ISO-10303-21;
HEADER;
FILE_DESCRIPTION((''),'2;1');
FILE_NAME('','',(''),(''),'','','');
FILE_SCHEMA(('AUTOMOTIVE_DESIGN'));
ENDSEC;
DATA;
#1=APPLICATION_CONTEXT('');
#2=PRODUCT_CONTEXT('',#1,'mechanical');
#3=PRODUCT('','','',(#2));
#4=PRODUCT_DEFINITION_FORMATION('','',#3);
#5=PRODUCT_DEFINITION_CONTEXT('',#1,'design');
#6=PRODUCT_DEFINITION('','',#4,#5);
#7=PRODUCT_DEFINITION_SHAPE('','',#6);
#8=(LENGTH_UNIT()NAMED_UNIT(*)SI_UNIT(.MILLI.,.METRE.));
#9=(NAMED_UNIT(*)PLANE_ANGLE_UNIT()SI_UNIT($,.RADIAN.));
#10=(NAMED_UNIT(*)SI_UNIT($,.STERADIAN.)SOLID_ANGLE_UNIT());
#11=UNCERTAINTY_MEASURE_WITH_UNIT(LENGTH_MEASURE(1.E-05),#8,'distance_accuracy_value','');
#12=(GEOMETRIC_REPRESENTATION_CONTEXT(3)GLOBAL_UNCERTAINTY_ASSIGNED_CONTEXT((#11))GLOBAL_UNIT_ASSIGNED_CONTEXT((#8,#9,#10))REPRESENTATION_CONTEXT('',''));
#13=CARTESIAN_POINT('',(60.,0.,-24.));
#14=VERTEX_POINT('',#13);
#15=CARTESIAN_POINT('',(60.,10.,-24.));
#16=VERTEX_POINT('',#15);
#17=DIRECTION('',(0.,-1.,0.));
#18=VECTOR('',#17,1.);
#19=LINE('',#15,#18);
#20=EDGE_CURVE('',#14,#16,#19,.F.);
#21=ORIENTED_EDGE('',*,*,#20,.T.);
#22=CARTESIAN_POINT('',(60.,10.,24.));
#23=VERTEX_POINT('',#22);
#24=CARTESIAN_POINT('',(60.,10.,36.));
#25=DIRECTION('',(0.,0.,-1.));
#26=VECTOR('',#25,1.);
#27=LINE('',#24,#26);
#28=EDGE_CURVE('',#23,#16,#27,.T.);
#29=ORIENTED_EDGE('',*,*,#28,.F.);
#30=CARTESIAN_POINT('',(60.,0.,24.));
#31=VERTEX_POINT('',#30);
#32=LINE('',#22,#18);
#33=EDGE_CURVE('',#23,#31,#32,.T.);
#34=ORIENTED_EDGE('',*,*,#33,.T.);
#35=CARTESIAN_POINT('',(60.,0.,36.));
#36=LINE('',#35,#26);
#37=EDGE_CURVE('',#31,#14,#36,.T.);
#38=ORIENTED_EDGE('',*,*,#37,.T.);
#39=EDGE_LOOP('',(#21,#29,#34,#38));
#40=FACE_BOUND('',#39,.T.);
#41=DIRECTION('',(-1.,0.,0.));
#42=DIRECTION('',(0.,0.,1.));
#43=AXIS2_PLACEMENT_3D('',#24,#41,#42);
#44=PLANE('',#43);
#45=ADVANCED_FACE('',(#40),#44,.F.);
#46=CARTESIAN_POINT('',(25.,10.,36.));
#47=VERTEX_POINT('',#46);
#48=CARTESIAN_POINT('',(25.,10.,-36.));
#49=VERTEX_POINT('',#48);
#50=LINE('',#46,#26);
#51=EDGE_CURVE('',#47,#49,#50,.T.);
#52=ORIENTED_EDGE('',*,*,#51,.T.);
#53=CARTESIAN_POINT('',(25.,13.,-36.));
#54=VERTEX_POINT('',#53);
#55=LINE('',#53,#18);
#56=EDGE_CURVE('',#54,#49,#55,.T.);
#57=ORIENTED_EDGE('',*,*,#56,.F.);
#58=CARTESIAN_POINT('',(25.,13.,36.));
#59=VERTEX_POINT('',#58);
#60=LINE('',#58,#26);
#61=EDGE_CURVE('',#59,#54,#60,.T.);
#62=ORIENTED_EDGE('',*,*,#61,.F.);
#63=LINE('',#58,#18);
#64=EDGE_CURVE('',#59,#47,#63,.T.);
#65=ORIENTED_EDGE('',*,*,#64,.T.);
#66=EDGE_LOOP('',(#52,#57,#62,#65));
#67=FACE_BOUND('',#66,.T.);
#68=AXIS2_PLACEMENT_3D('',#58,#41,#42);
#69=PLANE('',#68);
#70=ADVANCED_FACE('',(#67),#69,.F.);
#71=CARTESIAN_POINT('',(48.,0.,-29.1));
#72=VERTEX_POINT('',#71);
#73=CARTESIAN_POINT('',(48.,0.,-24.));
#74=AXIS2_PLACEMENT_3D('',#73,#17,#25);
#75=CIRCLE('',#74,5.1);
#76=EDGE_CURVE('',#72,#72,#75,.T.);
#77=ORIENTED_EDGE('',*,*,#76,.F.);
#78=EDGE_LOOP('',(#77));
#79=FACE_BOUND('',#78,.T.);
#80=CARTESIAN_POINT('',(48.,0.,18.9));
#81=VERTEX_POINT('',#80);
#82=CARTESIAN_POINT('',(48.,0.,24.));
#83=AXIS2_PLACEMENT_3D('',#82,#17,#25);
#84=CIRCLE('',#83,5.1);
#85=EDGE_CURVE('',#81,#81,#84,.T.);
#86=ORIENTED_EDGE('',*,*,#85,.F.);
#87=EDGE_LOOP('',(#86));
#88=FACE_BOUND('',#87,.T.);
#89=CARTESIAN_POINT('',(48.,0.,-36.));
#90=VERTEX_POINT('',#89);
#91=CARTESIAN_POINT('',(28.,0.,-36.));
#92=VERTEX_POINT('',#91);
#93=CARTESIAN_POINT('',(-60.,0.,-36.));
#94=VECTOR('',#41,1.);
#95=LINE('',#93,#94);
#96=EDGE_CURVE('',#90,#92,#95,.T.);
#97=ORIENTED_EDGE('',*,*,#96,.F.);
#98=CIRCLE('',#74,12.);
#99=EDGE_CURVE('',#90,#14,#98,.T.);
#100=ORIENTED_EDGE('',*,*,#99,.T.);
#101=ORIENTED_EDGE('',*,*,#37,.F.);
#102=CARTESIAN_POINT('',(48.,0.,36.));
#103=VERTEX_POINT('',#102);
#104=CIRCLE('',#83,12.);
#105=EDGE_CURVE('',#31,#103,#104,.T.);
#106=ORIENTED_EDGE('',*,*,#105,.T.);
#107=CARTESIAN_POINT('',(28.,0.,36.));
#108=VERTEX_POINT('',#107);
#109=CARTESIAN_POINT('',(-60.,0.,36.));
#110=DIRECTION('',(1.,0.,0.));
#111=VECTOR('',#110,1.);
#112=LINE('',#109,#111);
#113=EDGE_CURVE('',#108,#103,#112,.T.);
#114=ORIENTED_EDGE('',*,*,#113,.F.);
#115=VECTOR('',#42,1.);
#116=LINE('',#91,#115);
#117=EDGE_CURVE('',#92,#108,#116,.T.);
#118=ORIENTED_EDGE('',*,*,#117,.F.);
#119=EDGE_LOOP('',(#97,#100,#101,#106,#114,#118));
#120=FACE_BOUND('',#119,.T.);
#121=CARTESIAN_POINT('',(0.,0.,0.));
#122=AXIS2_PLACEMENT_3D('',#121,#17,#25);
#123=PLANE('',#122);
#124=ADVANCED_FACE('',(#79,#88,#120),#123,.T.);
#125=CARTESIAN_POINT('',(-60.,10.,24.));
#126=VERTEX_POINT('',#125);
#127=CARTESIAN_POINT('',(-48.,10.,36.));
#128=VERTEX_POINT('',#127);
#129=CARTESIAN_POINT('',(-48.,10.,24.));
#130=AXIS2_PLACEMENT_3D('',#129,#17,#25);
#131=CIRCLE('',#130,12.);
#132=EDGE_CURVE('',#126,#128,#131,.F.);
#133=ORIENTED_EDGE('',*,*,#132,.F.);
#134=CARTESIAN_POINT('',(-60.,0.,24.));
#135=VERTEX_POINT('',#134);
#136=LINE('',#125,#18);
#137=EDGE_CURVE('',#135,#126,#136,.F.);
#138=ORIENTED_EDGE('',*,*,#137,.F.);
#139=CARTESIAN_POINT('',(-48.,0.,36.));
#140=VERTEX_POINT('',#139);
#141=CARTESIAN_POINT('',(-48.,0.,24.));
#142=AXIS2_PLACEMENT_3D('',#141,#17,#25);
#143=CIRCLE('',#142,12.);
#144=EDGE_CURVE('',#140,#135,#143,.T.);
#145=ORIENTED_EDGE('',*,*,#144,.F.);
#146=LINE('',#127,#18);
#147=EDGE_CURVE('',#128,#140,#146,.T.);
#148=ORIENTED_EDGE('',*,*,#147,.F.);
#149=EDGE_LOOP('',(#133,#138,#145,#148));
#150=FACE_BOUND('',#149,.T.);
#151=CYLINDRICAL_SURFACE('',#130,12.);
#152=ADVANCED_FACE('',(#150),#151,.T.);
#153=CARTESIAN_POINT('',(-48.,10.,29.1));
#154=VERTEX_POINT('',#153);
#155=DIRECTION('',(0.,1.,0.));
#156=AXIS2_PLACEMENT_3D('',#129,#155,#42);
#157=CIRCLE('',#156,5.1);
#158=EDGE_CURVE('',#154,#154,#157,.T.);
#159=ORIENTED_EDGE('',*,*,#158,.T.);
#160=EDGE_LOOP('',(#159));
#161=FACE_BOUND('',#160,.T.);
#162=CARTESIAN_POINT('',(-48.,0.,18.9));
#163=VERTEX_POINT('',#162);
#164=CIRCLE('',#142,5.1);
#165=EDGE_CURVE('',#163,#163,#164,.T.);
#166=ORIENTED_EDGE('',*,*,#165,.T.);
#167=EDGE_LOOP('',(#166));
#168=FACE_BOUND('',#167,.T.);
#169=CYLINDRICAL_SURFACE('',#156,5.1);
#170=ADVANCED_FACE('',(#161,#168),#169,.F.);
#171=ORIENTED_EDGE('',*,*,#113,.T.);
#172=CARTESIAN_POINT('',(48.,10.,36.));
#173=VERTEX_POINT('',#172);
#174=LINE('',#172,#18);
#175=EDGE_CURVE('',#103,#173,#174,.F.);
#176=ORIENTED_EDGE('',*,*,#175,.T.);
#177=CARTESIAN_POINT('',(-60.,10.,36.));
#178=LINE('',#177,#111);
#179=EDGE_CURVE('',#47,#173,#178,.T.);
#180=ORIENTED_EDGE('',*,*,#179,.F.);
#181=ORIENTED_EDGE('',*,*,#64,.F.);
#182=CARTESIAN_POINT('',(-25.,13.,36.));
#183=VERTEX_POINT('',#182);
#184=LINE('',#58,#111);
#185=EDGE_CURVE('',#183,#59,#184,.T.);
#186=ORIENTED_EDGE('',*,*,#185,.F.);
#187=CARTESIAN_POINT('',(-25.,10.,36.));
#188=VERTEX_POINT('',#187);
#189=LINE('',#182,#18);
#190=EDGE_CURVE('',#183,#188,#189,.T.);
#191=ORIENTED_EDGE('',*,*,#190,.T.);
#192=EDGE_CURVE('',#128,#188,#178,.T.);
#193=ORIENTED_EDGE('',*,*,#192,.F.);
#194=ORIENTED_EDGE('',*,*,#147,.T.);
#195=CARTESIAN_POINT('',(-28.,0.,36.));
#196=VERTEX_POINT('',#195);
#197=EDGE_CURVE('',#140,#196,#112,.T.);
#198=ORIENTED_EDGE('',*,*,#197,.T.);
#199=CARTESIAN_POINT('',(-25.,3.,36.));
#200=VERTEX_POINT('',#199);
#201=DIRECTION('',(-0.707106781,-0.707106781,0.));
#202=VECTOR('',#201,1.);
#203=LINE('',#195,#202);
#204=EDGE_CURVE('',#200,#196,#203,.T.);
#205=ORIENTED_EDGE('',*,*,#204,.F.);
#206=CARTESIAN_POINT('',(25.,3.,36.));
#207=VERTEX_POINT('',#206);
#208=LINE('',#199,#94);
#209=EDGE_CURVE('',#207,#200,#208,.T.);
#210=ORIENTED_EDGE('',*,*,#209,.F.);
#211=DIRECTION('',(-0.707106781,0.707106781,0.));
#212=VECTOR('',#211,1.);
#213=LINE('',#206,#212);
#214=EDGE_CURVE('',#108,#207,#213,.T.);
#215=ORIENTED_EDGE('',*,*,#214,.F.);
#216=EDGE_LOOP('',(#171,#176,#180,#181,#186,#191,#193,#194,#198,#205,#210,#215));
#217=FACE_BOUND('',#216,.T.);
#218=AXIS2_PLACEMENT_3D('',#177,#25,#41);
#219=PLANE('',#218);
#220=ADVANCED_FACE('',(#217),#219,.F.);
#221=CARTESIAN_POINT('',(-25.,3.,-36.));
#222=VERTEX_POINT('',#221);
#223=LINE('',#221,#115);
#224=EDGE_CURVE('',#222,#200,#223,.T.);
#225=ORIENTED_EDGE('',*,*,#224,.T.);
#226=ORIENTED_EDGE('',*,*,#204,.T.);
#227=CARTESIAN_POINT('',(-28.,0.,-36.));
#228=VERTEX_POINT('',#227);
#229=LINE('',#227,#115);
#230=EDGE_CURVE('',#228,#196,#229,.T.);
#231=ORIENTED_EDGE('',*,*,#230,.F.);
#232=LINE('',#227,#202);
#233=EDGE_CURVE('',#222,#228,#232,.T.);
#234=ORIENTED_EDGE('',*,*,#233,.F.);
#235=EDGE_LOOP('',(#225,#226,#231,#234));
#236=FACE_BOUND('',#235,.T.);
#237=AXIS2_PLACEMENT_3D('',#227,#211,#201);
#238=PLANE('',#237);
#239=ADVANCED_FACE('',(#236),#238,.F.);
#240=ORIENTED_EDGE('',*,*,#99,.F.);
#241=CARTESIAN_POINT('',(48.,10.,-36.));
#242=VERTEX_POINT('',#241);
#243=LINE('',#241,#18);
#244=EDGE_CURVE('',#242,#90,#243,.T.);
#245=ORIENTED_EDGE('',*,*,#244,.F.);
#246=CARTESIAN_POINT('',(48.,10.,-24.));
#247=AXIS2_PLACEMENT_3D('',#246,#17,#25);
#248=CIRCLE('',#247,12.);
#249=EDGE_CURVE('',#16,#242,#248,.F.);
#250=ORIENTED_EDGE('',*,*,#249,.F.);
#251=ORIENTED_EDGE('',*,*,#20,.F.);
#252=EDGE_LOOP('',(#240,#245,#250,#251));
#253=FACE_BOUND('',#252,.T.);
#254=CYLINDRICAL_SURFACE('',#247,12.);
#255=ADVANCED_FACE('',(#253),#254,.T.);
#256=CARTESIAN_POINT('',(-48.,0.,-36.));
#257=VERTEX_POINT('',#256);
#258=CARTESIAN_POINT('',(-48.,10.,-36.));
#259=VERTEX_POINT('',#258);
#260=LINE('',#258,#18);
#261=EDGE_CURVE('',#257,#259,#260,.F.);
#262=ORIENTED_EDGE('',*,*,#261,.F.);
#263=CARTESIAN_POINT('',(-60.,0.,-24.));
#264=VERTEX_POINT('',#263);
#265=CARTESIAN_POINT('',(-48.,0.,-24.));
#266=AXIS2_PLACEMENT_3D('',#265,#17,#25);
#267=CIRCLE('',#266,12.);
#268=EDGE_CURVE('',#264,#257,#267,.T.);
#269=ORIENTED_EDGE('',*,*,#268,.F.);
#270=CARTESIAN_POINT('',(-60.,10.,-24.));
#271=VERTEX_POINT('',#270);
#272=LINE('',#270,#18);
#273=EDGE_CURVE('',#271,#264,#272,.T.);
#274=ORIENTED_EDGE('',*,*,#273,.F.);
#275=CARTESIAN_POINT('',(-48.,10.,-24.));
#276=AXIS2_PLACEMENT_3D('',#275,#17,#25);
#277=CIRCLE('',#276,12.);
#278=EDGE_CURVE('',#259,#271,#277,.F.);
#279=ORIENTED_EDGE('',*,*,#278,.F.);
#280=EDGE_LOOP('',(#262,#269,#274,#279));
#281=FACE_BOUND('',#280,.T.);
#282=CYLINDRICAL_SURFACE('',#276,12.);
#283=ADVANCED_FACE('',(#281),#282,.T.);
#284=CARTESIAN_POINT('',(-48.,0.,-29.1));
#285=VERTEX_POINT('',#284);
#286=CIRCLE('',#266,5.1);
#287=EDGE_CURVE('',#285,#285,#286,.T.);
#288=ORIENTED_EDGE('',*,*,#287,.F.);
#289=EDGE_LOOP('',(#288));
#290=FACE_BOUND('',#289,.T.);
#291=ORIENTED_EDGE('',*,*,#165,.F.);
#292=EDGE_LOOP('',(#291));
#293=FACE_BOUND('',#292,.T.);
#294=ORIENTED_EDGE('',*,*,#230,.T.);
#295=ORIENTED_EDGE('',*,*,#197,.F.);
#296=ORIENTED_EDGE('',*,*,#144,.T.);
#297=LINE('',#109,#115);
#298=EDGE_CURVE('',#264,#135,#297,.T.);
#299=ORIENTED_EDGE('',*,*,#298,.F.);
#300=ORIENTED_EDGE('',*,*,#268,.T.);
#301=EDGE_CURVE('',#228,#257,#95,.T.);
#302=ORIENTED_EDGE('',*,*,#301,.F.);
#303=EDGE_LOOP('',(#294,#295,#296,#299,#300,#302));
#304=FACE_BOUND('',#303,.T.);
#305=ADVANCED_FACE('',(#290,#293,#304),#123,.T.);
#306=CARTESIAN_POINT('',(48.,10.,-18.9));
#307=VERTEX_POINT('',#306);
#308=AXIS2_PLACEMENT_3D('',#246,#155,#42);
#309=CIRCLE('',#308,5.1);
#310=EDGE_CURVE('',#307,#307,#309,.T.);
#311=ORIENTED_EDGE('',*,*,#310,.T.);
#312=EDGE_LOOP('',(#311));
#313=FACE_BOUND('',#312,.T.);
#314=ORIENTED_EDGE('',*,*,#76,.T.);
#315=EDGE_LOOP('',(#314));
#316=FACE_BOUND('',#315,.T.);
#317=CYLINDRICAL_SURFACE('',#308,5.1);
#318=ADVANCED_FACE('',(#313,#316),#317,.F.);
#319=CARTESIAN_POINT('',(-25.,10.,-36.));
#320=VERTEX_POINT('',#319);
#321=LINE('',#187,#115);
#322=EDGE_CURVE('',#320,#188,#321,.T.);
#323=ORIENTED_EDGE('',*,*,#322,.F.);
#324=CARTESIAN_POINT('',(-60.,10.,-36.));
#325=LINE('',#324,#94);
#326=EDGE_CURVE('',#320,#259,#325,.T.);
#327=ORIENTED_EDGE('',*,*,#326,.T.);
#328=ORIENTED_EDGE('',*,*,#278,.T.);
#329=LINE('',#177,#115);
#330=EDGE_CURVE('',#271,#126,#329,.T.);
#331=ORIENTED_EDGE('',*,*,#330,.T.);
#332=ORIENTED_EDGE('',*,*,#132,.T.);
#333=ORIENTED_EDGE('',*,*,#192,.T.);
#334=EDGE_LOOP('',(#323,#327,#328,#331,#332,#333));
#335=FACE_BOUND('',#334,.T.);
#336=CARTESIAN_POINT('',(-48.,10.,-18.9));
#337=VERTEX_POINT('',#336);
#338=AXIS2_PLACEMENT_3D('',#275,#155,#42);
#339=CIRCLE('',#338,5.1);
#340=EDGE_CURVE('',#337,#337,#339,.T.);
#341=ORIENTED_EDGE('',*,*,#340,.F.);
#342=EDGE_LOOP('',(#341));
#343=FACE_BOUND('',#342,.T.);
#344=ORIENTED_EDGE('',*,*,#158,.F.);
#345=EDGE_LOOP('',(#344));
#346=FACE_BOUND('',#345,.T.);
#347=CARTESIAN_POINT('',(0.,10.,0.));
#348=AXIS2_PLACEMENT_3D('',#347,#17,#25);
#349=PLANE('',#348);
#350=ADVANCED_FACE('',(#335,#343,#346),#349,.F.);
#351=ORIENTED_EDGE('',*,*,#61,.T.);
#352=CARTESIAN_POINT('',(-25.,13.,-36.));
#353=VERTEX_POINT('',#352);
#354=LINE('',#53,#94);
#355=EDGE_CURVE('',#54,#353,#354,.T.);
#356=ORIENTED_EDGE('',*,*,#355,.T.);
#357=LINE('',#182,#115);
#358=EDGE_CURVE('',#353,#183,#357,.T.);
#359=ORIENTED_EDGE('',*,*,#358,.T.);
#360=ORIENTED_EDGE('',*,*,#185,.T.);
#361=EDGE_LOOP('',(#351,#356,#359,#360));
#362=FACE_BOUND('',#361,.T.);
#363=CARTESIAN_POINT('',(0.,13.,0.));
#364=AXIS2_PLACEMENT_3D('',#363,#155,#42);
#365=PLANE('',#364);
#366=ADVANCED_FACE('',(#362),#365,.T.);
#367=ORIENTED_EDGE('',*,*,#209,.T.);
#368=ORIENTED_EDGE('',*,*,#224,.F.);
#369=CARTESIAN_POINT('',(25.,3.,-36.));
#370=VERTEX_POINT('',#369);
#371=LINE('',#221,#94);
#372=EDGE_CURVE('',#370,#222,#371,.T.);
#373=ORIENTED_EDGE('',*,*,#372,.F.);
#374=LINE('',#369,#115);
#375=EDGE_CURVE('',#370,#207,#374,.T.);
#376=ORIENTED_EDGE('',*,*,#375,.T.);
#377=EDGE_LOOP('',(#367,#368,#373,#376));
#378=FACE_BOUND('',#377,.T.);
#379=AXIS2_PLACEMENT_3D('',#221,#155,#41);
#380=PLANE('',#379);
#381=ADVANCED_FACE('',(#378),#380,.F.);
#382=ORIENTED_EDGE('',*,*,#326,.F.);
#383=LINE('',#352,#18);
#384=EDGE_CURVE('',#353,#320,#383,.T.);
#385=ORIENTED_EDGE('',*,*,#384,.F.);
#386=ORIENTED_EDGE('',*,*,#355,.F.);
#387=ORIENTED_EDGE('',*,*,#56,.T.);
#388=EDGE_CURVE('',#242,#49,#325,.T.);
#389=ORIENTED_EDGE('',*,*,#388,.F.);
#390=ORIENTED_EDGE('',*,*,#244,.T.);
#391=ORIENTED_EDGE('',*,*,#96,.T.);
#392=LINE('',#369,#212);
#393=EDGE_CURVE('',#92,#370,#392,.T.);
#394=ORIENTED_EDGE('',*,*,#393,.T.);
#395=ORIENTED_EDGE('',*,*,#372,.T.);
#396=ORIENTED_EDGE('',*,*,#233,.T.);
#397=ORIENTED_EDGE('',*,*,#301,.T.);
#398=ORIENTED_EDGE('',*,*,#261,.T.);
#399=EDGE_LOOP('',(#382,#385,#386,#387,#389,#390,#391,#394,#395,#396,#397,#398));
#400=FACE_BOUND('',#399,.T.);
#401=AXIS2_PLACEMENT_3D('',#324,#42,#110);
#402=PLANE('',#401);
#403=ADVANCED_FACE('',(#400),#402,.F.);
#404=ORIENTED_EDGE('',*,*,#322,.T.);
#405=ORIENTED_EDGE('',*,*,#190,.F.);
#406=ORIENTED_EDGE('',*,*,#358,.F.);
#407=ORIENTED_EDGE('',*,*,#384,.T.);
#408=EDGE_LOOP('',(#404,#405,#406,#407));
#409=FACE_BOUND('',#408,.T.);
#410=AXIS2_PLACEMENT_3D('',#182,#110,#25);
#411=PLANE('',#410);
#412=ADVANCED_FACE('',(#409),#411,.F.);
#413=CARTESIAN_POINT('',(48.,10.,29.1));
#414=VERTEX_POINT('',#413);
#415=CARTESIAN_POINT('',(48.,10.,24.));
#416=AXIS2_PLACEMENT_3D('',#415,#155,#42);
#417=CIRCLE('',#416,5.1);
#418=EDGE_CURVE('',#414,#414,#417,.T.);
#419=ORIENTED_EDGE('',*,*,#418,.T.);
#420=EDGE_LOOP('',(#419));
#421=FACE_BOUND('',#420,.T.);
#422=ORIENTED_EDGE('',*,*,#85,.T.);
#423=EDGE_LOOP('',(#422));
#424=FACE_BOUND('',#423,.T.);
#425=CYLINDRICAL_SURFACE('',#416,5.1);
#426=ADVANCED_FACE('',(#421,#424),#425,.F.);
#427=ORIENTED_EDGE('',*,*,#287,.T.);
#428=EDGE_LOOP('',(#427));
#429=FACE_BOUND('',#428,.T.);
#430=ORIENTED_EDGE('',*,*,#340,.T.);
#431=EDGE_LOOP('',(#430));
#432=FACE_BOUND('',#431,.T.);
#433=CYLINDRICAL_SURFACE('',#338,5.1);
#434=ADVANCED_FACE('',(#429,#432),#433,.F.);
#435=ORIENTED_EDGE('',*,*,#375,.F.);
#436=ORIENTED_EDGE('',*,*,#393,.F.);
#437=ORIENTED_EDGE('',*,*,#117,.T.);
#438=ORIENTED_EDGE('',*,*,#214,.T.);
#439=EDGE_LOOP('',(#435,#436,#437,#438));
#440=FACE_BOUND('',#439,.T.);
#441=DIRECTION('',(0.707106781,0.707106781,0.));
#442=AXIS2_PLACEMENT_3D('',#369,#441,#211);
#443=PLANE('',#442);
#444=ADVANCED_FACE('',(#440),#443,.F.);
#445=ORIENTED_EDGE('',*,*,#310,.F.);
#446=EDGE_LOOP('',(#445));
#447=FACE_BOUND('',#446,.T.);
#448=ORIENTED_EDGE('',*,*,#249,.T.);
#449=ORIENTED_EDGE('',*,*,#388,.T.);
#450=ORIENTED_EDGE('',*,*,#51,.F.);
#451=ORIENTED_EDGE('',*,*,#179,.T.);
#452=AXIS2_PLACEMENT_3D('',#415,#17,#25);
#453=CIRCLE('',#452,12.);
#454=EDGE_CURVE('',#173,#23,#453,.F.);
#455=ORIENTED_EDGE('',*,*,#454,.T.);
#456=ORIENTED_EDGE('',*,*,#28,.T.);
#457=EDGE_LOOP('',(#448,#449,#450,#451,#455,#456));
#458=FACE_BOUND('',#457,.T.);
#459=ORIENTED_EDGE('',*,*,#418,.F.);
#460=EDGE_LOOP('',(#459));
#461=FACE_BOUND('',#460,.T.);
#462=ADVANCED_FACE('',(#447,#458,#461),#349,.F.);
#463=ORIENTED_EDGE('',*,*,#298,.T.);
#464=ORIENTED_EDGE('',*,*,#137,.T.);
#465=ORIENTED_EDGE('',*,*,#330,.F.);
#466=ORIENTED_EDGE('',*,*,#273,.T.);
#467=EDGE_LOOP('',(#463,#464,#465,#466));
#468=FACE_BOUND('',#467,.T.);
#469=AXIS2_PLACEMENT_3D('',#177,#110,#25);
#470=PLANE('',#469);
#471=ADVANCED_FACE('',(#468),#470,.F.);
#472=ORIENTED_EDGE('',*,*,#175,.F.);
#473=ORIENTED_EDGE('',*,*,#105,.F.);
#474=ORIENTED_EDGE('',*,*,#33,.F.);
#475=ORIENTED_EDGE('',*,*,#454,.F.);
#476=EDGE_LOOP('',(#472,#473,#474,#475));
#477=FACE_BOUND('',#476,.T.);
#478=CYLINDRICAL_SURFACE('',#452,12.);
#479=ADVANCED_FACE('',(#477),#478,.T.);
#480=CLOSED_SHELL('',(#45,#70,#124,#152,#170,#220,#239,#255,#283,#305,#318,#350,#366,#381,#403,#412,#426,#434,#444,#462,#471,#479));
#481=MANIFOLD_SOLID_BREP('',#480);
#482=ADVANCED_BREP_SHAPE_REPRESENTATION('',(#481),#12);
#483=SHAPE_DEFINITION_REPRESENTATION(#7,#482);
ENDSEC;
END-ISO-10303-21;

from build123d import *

# Parameters (mm, degrees)
SKETCH1_W              = 120
SKETCH1_H              = 72
BOSS_EXTRUDE1_DEPTH    = 10
FILLET1_R              = 12
M12_TAPPED_HOLE1_D     = 10.2
M12_TAPPED_HOLE1_DEPTH = 10
SKETCH4_W              = 50
SKETCH4_H              = 72
BOSS_EXTRUDE2_DEPTH    = 3
CUT_EXTRUDE1_DEPTH     = 73


with BuildPart() as part:
    # Sketch1 → Boss-Extrude1 (new body)
    with BuildSketch(Plane(origin=(0, 0, 0), x_dir=(1, 0, 0), z_dir=(0, 1, 0))):
        Rectangle(SKETCH1_W, SKETCH1_H)
    extrude(amount=BOSS_EXTRUDE1_DEPTH)

    # Fillet1
    fillet1_edges = [part.edges().sort_by_distance(p)[0] for p in [
        (60, 5, 36),
        (-60, 5, 36),
        (-60, 5, -36),
        (60, 5, -36),
    ]]
    fillet(fillet1_edges, radius=FILLET1_R)

    # M12 Tapped Hole1
    with Locations(Plane(origin=(0, 10, 0), x_dir=(1, 0, 0), z_dir=(0, 1, 0))):
        with Locations((48, -24), (48, 24), (-48, 24), (-48, -24)):
            Hole(M12_TAPPED_HOLE1_D / 2, depth=M12_TAPPED_HOLE1_DEPTH)

    # Sketch4 → Boss-Extrude2 (add)
    with BuildSketch(Plane(origin=(0, 10, 0), x_dir=(1, 0, 0), z_dir=(0, 1, 0))):
        Rectangle(SKETCH4_W, SKETCH4_H)
    extrude(amount=BOSS_EXTRUDE2_DEPTH)

    # Sketch5 → Cut-Extrude1 (cut, through all)
    with BuildSketch(Plane.XY.offset(36)):
        Polygon((-28, 0), (-25, 3), (25, 3), (28, 0), align=None)
    extrude(amount=-CUT_EXTRUDE1_DEPTH, mode=Mode.SUBTRACT)


solid = part.part
